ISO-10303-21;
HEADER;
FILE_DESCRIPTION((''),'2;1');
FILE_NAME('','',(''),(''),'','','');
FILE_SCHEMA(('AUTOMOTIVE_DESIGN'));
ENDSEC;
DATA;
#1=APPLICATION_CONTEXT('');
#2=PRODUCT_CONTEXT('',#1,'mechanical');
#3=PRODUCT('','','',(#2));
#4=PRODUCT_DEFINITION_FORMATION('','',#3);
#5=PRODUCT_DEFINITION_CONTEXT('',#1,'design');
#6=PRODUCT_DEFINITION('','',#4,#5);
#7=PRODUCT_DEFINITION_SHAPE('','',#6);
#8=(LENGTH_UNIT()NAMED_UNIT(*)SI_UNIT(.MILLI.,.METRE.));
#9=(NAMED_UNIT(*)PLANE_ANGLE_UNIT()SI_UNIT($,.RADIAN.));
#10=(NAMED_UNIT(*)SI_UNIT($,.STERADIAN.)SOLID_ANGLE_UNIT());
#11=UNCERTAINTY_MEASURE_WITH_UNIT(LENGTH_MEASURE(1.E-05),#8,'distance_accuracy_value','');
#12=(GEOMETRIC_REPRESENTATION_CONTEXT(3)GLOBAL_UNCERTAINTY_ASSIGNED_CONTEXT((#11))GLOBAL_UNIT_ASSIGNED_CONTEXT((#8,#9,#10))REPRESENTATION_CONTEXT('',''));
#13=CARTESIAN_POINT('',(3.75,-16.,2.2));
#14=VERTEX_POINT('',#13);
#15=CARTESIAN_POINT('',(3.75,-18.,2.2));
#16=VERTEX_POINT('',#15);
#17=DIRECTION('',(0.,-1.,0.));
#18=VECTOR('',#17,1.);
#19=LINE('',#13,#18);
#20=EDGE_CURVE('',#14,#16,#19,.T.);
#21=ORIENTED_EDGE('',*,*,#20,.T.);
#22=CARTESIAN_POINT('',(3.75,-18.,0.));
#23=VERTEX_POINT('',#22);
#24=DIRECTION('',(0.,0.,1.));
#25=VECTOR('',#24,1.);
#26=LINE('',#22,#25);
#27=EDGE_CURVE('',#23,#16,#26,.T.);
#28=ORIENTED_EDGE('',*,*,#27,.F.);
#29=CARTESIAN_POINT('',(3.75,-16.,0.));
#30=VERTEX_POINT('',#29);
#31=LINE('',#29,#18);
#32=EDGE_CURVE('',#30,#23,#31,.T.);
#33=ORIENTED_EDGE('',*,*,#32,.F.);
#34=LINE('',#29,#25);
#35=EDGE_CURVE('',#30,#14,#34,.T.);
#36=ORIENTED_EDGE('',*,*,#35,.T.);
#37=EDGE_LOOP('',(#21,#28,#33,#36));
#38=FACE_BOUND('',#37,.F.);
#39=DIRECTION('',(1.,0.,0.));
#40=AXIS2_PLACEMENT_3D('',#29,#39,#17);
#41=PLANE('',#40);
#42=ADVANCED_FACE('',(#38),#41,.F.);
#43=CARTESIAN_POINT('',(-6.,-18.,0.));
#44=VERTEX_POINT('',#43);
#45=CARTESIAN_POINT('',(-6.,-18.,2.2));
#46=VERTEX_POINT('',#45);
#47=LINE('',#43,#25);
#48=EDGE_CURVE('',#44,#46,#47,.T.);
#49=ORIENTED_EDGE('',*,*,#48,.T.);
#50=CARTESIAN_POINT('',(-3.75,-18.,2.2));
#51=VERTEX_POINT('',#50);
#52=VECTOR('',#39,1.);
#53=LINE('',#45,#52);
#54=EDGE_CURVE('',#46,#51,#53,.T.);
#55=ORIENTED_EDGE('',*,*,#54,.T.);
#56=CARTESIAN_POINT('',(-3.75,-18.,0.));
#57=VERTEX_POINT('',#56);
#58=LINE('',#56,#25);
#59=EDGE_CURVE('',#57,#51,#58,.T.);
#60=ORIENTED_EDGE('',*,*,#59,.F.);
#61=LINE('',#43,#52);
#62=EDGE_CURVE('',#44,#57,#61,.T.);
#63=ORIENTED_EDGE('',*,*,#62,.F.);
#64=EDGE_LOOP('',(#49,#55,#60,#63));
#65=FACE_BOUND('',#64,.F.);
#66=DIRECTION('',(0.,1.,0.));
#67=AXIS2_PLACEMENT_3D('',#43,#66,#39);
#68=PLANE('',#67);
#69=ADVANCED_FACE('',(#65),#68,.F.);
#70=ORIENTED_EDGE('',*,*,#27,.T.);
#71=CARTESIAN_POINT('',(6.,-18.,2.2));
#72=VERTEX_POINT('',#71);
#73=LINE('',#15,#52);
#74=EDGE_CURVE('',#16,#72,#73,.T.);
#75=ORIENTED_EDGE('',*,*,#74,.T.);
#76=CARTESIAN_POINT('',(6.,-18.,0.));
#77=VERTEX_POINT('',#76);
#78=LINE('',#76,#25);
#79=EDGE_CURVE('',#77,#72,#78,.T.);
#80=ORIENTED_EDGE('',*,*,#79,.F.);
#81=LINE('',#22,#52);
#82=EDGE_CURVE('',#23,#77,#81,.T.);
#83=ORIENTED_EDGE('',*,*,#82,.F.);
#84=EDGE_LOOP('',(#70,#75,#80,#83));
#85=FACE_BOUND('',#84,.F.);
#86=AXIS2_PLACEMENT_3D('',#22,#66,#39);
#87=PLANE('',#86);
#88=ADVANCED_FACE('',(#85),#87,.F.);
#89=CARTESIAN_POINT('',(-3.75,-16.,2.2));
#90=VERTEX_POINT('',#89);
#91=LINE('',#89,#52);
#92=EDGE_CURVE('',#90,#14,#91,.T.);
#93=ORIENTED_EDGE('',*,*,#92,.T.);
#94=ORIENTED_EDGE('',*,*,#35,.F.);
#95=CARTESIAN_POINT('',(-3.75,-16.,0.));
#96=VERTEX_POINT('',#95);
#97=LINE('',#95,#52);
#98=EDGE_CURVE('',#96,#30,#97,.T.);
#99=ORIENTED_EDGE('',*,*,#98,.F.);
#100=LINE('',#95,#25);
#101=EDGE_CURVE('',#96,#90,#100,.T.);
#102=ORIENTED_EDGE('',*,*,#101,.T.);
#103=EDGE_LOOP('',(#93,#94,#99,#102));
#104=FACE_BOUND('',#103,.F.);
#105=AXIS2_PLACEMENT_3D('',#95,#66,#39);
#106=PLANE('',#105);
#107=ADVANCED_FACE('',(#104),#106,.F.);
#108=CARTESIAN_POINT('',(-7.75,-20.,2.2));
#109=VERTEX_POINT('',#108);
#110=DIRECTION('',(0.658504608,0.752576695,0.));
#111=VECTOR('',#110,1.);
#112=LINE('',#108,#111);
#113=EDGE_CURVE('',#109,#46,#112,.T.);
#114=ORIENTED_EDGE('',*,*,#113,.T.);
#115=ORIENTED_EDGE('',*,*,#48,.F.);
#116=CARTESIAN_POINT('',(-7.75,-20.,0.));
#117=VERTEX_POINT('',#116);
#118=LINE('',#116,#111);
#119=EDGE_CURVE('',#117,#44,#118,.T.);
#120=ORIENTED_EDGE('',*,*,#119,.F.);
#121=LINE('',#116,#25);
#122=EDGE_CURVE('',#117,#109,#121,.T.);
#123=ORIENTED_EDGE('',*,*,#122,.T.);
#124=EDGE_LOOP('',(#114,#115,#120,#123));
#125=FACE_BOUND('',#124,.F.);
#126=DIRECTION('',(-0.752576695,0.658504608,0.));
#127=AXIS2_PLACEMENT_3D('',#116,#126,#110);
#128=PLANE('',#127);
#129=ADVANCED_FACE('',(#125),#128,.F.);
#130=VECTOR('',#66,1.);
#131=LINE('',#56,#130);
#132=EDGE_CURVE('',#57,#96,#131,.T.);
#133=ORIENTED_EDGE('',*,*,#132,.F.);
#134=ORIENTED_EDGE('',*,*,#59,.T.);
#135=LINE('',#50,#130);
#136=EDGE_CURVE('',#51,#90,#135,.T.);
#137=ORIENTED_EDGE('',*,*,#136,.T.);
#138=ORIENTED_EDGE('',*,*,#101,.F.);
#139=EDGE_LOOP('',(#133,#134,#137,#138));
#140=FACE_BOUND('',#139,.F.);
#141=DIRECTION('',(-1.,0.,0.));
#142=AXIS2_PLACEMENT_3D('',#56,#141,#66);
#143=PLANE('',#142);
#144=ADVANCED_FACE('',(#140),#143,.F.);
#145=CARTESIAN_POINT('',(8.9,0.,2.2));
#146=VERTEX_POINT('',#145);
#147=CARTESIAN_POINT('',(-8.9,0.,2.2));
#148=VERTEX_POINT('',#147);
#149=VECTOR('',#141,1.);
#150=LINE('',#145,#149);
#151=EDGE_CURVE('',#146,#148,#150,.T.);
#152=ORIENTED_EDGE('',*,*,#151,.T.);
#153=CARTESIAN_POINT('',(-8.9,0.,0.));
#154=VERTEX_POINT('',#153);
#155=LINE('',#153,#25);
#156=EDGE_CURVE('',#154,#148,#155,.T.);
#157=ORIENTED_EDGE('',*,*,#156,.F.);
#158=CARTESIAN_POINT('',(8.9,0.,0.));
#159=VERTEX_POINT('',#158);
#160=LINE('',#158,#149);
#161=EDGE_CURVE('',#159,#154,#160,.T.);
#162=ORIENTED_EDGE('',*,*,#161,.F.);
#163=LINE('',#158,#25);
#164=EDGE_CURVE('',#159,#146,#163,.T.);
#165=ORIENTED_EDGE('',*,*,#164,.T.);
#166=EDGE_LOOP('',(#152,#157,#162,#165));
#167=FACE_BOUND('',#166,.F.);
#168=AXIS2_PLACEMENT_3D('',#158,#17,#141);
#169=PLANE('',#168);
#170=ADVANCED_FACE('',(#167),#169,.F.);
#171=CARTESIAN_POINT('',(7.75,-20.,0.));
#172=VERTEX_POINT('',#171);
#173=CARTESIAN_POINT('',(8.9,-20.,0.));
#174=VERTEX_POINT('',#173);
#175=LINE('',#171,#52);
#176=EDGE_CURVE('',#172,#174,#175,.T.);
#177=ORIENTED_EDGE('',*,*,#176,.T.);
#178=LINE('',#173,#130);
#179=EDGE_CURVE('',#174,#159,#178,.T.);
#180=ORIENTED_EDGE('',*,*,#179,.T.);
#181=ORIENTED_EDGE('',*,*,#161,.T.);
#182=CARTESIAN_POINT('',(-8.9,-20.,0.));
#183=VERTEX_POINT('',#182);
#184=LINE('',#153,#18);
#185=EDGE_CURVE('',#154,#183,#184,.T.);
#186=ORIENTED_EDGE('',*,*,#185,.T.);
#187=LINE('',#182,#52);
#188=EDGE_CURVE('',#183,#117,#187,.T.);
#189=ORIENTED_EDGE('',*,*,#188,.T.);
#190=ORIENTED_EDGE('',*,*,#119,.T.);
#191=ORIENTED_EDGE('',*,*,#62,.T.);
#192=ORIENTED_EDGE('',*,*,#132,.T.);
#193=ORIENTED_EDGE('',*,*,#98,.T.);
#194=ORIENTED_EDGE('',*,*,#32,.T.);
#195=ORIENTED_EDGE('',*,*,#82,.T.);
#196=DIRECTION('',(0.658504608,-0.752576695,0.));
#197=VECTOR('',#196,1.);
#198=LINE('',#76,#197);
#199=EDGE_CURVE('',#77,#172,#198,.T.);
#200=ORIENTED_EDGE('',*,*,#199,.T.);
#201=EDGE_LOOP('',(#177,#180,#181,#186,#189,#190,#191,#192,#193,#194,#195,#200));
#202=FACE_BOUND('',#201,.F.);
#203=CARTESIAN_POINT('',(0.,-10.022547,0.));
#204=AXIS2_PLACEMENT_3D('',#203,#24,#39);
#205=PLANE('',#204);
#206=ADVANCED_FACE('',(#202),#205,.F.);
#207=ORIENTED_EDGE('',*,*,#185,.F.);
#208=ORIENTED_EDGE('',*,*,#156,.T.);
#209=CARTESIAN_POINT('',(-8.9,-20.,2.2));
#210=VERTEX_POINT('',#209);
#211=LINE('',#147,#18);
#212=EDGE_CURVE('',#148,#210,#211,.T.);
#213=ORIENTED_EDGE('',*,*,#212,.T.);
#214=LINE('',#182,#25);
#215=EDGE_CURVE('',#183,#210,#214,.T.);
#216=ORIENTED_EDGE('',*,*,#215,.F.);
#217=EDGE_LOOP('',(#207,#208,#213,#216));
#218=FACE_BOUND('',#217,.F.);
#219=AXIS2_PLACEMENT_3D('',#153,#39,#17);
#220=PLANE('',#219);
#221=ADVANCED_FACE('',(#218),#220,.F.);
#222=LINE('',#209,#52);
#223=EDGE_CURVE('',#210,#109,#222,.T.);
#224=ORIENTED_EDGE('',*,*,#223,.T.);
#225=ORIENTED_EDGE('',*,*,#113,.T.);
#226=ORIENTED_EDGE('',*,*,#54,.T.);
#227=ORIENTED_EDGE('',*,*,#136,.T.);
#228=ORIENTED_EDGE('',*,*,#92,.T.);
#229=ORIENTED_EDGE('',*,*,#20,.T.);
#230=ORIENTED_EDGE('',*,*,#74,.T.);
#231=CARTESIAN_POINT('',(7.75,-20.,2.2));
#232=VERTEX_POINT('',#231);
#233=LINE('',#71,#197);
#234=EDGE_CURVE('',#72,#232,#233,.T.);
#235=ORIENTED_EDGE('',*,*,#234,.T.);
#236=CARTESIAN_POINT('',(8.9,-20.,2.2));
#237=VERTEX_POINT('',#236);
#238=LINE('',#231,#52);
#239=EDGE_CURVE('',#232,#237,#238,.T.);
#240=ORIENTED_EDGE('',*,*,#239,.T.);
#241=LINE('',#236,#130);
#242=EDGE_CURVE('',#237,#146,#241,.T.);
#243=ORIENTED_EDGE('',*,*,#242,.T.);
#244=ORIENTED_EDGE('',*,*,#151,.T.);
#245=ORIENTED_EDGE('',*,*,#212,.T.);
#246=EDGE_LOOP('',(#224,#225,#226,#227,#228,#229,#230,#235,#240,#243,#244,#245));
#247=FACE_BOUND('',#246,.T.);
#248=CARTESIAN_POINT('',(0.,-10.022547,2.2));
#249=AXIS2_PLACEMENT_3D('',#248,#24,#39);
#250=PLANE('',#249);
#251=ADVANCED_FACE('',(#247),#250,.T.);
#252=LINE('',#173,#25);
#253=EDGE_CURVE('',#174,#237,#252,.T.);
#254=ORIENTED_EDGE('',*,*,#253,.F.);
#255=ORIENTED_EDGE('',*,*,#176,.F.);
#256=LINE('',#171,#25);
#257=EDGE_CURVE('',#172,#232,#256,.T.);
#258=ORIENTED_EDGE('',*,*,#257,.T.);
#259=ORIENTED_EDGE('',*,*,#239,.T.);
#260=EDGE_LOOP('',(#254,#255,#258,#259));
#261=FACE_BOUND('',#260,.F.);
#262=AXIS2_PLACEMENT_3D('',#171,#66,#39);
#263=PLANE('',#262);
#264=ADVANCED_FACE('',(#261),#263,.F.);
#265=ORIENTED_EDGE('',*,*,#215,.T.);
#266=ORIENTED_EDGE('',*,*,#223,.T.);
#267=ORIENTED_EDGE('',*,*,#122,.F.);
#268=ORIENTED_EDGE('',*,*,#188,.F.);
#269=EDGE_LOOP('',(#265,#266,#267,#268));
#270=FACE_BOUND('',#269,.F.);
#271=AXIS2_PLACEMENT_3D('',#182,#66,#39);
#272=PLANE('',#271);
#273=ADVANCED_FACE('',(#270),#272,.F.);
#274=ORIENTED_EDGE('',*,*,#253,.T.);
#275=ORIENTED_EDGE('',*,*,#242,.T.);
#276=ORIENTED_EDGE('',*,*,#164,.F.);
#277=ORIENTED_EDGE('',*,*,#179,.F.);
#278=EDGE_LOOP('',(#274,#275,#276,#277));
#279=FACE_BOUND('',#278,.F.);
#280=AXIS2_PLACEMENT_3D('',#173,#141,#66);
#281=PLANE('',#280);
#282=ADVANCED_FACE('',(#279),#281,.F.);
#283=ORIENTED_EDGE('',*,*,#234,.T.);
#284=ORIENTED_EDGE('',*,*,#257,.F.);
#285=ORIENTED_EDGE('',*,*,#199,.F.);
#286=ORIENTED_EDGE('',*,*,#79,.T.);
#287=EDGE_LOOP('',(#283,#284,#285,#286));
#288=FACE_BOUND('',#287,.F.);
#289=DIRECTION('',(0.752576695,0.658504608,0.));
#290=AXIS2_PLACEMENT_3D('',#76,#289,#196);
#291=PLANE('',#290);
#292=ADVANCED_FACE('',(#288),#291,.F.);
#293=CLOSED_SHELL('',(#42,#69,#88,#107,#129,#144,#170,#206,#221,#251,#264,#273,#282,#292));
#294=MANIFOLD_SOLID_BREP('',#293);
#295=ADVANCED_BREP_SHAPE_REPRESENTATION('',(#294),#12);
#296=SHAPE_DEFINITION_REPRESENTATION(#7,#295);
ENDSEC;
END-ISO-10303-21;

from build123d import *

# Parameters (mm, degrees)
PAD_DEPTH = 2.2


with BuildPart() as part:
    # Sketch → Pad (new body)
    with BuildSketch(Plane.XY):
        Polygon((-3.75, -16), (3.75, -16), (3.75, -18), (6, -18), (7.75, -20), (8.9, -20), (8.9, 0), (-8.9, 0), (-8.9, -20), (-7.75, -20), (-6, -18), (-3.75, -18), align=None)
    extrude(amount=PAD_DEPTH)


solid = part.part
